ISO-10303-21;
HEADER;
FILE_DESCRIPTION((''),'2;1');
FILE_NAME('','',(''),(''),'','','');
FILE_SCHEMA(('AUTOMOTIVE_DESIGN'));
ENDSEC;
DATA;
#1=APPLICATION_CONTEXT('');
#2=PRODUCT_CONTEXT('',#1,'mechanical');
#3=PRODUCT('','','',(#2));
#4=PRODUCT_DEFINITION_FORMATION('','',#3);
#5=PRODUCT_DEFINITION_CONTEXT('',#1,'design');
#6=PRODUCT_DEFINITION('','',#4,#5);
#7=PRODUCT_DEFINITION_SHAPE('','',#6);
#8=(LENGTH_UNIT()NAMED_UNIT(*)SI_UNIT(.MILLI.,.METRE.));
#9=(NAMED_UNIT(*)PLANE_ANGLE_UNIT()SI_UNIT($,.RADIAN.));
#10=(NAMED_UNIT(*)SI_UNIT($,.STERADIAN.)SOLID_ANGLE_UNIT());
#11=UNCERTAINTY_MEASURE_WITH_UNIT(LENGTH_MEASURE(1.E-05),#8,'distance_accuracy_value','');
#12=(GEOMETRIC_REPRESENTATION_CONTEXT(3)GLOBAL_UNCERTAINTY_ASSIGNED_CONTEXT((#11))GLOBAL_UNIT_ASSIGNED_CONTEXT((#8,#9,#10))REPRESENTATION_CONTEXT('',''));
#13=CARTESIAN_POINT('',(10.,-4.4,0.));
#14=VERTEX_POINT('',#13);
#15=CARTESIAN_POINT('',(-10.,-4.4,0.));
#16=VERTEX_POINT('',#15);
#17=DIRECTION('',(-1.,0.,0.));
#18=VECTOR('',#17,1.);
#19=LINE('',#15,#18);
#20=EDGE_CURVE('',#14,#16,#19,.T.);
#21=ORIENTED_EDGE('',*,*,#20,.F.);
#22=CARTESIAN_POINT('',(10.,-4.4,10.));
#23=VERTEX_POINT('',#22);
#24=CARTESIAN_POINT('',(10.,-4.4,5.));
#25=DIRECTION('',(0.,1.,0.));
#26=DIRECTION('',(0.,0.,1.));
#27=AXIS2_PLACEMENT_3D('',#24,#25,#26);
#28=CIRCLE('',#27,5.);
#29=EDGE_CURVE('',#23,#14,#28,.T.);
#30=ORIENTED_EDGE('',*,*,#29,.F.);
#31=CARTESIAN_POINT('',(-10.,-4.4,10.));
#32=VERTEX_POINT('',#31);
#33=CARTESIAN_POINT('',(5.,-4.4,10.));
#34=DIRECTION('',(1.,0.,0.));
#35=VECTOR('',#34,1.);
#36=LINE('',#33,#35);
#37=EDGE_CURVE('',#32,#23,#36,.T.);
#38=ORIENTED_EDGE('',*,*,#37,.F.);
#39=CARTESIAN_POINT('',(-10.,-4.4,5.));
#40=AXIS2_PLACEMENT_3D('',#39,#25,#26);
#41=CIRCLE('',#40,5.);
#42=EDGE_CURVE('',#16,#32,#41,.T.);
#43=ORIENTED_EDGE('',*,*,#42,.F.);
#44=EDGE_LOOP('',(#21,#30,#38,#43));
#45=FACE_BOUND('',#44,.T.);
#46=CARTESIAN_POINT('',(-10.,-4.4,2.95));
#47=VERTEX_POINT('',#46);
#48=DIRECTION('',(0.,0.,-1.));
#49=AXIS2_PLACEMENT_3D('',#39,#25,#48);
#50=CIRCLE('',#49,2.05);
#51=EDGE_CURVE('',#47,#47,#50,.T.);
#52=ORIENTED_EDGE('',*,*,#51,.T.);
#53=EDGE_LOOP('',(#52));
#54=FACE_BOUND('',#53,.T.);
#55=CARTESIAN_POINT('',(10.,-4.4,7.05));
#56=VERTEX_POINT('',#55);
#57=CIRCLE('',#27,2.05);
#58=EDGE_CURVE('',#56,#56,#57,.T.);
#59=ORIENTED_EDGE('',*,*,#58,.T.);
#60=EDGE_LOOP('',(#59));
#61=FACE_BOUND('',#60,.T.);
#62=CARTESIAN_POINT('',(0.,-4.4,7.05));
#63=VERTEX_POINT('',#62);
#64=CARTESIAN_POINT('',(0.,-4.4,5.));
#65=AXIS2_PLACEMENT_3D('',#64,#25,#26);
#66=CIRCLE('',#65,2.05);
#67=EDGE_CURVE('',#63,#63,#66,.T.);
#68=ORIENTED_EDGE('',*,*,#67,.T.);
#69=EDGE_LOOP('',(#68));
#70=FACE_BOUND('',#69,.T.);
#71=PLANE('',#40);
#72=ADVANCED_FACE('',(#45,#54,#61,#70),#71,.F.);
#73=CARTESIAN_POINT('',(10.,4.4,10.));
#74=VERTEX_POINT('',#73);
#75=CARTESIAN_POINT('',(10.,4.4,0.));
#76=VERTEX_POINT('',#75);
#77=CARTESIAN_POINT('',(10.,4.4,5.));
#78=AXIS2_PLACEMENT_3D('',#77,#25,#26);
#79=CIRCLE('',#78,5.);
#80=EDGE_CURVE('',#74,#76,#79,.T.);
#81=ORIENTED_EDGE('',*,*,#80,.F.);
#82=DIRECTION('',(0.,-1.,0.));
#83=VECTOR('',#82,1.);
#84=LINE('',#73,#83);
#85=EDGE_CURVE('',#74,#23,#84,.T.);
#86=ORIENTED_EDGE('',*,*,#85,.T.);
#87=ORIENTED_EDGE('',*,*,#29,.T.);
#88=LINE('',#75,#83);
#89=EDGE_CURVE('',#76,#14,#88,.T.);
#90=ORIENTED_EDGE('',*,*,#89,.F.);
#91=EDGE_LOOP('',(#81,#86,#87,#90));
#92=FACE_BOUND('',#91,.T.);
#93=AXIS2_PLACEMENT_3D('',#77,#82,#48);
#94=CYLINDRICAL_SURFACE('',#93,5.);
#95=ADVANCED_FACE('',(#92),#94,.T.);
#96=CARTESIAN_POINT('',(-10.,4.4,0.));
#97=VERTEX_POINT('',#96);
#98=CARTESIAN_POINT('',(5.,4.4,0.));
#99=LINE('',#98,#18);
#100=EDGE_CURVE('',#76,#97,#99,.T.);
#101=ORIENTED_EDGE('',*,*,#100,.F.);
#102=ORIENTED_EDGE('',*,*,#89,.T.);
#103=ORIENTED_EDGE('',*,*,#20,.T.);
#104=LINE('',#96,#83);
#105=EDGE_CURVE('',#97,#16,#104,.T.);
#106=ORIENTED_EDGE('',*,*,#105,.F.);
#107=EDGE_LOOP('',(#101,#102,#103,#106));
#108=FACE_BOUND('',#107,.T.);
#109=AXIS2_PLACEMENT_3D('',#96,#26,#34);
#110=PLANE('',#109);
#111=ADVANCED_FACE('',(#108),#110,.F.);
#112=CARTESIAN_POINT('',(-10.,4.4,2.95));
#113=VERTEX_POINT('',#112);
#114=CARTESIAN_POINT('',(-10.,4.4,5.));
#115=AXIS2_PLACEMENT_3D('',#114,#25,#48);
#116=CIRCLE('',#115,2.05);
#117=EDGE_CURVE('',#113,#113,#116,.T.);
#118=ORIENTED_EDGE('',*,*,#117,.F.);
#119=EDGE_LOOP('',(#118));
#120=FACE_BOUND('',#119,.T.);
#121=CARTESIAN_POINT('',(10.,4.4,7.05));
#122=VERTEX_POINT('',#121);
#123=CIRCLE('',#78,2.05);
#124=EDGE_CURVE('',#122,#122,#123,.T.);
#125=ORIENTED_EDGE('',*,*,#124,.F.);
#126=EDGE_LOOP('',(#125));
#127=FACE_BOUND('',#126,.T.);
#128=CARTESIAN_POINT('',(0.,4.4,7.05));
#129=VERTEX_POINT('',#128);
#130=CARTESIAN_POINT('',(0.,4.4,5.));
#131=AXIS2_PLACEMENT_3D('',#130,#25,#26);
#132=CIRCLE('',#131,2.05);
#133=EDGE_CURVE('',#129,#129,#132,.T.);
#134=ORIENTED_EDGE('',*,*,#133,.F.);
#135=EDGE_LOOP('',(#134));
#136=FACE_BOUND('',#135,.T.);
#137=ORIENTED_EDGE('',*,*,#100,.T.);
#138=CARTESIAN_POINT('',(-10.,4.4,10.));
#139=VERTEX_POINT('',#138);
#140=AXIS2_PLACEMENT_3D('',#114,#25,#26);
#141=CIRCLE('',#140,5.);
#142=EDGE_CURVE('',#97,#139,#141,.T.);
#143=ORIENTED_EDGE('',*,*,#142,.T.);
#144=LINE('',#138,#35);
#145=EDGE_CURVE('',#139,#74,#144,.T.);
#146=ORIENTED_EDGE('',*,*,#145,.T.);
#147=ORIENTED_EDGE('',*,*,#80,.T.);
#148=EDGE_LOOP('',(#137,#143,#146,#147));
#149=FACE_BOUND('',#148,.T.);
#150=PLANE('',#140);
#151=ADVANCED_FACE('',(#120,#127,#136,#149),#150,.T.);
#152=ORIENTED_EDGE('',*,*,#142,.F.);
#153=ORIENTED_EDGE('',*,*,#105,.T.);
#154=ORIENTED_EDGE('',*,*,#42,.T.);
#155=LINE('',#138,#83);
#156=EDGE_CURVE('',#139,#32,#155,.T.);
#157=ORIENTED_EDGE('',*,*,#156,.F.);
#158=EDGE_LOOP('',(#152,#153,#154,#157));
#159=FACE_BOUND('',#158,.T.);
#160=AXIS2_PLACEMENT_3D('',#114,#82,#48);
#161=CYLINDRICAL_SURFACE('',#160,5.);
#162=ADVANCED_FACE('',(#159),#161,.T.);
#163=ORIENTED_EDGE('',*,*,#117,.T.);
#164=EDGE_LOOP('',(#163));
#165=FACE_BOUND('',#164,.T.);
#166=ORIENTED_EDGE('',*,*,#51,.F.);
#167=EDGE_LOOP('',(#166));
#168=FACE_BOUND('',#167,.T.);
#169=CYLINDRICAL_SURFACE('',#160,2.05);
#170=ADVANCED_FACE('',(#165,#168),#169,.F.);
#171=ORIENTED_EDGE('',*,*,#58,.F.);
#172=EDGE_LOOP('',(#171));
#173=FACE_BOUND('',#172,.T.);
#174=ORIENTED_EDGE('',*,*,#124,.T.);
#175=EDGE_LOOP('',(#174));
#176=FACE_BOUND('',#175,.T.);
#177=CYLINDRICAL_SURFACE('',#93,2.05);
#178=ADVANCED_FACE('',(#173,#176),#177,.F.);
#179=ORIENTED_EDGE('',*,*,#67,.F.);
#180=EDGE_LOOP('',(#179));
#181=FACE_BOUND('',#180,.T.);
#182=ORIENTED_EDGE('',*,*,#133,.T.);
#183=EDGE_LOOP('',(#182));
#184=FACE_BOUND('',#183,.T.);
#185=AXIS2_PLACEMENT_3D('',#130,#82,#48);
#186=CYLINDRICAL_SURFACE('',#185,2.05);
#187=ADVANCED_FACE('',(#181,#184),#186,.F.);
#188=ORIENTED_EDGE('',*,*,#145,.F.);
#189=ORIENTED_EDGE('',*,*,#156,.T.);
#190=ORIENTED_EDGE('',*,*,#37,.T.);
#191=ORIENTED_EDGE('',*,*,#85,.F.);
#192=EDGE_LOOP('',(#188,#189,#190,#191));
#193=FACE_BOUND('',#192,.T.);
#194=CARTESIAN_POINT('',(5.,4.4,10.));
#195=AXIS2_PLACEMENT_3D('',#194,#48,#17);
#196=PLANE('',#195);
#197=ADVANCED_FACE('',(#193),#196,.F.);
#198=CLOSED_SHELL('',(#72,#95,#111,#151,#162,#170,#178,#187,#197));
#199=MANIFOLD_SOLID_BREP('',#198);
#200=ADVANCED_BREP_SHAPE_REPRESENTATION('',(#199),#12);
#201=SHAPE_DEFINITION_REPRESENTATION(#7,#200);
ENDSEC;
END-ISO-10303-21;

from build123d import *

# Parameters (mm, degrees)
SKETCH1_R           = 2.05
BOSS_EXTRUDE1_DEPTH = 4.4


with BuildPart() as part:
    # Sketch1 → Boss-Extrude1 (new, symmetric)
    with BuildSketch(Plane(origin=(0, 0, 0), x_dir=(1, 0, 0), z_dir=(0, 1, 0))):
        with BuildLine():
            Line((-10, 0), (-5, 0))
            Line((-5, 0), (5, 0))
            Line((5, 0), (10, 0))
            ThreePointArc((10, 0), (15, -5), (10, -10))
            Line((10, -10), (5, -10))
            Line((5, -10), (-5, -10))
            Line((-5, -10), (-10, -10))
            ThreePointArc((-10, -10), (-15, -5), (-10, 0))
        make_face()
        with Locations(Location((10, -5, 0), (0, 0, 270))):
            Circle(SKETCH1_R, mode=Mode.SUBTRACT)
        with Locations(Location((-10, -5, 0), (0, 0, 90))):
            Circle(SKETCH1_R, mode=Mode.SUBTRACT)
        with Locations(Location((0, -5, 0), (0, 0, 270))):
            Circle(SKETCH1_R, mode=Mode.SUBTRACT)
    extrude(amount=BOSS_EXTRUDE1_DEPTH, both=True)


solid = part.part
